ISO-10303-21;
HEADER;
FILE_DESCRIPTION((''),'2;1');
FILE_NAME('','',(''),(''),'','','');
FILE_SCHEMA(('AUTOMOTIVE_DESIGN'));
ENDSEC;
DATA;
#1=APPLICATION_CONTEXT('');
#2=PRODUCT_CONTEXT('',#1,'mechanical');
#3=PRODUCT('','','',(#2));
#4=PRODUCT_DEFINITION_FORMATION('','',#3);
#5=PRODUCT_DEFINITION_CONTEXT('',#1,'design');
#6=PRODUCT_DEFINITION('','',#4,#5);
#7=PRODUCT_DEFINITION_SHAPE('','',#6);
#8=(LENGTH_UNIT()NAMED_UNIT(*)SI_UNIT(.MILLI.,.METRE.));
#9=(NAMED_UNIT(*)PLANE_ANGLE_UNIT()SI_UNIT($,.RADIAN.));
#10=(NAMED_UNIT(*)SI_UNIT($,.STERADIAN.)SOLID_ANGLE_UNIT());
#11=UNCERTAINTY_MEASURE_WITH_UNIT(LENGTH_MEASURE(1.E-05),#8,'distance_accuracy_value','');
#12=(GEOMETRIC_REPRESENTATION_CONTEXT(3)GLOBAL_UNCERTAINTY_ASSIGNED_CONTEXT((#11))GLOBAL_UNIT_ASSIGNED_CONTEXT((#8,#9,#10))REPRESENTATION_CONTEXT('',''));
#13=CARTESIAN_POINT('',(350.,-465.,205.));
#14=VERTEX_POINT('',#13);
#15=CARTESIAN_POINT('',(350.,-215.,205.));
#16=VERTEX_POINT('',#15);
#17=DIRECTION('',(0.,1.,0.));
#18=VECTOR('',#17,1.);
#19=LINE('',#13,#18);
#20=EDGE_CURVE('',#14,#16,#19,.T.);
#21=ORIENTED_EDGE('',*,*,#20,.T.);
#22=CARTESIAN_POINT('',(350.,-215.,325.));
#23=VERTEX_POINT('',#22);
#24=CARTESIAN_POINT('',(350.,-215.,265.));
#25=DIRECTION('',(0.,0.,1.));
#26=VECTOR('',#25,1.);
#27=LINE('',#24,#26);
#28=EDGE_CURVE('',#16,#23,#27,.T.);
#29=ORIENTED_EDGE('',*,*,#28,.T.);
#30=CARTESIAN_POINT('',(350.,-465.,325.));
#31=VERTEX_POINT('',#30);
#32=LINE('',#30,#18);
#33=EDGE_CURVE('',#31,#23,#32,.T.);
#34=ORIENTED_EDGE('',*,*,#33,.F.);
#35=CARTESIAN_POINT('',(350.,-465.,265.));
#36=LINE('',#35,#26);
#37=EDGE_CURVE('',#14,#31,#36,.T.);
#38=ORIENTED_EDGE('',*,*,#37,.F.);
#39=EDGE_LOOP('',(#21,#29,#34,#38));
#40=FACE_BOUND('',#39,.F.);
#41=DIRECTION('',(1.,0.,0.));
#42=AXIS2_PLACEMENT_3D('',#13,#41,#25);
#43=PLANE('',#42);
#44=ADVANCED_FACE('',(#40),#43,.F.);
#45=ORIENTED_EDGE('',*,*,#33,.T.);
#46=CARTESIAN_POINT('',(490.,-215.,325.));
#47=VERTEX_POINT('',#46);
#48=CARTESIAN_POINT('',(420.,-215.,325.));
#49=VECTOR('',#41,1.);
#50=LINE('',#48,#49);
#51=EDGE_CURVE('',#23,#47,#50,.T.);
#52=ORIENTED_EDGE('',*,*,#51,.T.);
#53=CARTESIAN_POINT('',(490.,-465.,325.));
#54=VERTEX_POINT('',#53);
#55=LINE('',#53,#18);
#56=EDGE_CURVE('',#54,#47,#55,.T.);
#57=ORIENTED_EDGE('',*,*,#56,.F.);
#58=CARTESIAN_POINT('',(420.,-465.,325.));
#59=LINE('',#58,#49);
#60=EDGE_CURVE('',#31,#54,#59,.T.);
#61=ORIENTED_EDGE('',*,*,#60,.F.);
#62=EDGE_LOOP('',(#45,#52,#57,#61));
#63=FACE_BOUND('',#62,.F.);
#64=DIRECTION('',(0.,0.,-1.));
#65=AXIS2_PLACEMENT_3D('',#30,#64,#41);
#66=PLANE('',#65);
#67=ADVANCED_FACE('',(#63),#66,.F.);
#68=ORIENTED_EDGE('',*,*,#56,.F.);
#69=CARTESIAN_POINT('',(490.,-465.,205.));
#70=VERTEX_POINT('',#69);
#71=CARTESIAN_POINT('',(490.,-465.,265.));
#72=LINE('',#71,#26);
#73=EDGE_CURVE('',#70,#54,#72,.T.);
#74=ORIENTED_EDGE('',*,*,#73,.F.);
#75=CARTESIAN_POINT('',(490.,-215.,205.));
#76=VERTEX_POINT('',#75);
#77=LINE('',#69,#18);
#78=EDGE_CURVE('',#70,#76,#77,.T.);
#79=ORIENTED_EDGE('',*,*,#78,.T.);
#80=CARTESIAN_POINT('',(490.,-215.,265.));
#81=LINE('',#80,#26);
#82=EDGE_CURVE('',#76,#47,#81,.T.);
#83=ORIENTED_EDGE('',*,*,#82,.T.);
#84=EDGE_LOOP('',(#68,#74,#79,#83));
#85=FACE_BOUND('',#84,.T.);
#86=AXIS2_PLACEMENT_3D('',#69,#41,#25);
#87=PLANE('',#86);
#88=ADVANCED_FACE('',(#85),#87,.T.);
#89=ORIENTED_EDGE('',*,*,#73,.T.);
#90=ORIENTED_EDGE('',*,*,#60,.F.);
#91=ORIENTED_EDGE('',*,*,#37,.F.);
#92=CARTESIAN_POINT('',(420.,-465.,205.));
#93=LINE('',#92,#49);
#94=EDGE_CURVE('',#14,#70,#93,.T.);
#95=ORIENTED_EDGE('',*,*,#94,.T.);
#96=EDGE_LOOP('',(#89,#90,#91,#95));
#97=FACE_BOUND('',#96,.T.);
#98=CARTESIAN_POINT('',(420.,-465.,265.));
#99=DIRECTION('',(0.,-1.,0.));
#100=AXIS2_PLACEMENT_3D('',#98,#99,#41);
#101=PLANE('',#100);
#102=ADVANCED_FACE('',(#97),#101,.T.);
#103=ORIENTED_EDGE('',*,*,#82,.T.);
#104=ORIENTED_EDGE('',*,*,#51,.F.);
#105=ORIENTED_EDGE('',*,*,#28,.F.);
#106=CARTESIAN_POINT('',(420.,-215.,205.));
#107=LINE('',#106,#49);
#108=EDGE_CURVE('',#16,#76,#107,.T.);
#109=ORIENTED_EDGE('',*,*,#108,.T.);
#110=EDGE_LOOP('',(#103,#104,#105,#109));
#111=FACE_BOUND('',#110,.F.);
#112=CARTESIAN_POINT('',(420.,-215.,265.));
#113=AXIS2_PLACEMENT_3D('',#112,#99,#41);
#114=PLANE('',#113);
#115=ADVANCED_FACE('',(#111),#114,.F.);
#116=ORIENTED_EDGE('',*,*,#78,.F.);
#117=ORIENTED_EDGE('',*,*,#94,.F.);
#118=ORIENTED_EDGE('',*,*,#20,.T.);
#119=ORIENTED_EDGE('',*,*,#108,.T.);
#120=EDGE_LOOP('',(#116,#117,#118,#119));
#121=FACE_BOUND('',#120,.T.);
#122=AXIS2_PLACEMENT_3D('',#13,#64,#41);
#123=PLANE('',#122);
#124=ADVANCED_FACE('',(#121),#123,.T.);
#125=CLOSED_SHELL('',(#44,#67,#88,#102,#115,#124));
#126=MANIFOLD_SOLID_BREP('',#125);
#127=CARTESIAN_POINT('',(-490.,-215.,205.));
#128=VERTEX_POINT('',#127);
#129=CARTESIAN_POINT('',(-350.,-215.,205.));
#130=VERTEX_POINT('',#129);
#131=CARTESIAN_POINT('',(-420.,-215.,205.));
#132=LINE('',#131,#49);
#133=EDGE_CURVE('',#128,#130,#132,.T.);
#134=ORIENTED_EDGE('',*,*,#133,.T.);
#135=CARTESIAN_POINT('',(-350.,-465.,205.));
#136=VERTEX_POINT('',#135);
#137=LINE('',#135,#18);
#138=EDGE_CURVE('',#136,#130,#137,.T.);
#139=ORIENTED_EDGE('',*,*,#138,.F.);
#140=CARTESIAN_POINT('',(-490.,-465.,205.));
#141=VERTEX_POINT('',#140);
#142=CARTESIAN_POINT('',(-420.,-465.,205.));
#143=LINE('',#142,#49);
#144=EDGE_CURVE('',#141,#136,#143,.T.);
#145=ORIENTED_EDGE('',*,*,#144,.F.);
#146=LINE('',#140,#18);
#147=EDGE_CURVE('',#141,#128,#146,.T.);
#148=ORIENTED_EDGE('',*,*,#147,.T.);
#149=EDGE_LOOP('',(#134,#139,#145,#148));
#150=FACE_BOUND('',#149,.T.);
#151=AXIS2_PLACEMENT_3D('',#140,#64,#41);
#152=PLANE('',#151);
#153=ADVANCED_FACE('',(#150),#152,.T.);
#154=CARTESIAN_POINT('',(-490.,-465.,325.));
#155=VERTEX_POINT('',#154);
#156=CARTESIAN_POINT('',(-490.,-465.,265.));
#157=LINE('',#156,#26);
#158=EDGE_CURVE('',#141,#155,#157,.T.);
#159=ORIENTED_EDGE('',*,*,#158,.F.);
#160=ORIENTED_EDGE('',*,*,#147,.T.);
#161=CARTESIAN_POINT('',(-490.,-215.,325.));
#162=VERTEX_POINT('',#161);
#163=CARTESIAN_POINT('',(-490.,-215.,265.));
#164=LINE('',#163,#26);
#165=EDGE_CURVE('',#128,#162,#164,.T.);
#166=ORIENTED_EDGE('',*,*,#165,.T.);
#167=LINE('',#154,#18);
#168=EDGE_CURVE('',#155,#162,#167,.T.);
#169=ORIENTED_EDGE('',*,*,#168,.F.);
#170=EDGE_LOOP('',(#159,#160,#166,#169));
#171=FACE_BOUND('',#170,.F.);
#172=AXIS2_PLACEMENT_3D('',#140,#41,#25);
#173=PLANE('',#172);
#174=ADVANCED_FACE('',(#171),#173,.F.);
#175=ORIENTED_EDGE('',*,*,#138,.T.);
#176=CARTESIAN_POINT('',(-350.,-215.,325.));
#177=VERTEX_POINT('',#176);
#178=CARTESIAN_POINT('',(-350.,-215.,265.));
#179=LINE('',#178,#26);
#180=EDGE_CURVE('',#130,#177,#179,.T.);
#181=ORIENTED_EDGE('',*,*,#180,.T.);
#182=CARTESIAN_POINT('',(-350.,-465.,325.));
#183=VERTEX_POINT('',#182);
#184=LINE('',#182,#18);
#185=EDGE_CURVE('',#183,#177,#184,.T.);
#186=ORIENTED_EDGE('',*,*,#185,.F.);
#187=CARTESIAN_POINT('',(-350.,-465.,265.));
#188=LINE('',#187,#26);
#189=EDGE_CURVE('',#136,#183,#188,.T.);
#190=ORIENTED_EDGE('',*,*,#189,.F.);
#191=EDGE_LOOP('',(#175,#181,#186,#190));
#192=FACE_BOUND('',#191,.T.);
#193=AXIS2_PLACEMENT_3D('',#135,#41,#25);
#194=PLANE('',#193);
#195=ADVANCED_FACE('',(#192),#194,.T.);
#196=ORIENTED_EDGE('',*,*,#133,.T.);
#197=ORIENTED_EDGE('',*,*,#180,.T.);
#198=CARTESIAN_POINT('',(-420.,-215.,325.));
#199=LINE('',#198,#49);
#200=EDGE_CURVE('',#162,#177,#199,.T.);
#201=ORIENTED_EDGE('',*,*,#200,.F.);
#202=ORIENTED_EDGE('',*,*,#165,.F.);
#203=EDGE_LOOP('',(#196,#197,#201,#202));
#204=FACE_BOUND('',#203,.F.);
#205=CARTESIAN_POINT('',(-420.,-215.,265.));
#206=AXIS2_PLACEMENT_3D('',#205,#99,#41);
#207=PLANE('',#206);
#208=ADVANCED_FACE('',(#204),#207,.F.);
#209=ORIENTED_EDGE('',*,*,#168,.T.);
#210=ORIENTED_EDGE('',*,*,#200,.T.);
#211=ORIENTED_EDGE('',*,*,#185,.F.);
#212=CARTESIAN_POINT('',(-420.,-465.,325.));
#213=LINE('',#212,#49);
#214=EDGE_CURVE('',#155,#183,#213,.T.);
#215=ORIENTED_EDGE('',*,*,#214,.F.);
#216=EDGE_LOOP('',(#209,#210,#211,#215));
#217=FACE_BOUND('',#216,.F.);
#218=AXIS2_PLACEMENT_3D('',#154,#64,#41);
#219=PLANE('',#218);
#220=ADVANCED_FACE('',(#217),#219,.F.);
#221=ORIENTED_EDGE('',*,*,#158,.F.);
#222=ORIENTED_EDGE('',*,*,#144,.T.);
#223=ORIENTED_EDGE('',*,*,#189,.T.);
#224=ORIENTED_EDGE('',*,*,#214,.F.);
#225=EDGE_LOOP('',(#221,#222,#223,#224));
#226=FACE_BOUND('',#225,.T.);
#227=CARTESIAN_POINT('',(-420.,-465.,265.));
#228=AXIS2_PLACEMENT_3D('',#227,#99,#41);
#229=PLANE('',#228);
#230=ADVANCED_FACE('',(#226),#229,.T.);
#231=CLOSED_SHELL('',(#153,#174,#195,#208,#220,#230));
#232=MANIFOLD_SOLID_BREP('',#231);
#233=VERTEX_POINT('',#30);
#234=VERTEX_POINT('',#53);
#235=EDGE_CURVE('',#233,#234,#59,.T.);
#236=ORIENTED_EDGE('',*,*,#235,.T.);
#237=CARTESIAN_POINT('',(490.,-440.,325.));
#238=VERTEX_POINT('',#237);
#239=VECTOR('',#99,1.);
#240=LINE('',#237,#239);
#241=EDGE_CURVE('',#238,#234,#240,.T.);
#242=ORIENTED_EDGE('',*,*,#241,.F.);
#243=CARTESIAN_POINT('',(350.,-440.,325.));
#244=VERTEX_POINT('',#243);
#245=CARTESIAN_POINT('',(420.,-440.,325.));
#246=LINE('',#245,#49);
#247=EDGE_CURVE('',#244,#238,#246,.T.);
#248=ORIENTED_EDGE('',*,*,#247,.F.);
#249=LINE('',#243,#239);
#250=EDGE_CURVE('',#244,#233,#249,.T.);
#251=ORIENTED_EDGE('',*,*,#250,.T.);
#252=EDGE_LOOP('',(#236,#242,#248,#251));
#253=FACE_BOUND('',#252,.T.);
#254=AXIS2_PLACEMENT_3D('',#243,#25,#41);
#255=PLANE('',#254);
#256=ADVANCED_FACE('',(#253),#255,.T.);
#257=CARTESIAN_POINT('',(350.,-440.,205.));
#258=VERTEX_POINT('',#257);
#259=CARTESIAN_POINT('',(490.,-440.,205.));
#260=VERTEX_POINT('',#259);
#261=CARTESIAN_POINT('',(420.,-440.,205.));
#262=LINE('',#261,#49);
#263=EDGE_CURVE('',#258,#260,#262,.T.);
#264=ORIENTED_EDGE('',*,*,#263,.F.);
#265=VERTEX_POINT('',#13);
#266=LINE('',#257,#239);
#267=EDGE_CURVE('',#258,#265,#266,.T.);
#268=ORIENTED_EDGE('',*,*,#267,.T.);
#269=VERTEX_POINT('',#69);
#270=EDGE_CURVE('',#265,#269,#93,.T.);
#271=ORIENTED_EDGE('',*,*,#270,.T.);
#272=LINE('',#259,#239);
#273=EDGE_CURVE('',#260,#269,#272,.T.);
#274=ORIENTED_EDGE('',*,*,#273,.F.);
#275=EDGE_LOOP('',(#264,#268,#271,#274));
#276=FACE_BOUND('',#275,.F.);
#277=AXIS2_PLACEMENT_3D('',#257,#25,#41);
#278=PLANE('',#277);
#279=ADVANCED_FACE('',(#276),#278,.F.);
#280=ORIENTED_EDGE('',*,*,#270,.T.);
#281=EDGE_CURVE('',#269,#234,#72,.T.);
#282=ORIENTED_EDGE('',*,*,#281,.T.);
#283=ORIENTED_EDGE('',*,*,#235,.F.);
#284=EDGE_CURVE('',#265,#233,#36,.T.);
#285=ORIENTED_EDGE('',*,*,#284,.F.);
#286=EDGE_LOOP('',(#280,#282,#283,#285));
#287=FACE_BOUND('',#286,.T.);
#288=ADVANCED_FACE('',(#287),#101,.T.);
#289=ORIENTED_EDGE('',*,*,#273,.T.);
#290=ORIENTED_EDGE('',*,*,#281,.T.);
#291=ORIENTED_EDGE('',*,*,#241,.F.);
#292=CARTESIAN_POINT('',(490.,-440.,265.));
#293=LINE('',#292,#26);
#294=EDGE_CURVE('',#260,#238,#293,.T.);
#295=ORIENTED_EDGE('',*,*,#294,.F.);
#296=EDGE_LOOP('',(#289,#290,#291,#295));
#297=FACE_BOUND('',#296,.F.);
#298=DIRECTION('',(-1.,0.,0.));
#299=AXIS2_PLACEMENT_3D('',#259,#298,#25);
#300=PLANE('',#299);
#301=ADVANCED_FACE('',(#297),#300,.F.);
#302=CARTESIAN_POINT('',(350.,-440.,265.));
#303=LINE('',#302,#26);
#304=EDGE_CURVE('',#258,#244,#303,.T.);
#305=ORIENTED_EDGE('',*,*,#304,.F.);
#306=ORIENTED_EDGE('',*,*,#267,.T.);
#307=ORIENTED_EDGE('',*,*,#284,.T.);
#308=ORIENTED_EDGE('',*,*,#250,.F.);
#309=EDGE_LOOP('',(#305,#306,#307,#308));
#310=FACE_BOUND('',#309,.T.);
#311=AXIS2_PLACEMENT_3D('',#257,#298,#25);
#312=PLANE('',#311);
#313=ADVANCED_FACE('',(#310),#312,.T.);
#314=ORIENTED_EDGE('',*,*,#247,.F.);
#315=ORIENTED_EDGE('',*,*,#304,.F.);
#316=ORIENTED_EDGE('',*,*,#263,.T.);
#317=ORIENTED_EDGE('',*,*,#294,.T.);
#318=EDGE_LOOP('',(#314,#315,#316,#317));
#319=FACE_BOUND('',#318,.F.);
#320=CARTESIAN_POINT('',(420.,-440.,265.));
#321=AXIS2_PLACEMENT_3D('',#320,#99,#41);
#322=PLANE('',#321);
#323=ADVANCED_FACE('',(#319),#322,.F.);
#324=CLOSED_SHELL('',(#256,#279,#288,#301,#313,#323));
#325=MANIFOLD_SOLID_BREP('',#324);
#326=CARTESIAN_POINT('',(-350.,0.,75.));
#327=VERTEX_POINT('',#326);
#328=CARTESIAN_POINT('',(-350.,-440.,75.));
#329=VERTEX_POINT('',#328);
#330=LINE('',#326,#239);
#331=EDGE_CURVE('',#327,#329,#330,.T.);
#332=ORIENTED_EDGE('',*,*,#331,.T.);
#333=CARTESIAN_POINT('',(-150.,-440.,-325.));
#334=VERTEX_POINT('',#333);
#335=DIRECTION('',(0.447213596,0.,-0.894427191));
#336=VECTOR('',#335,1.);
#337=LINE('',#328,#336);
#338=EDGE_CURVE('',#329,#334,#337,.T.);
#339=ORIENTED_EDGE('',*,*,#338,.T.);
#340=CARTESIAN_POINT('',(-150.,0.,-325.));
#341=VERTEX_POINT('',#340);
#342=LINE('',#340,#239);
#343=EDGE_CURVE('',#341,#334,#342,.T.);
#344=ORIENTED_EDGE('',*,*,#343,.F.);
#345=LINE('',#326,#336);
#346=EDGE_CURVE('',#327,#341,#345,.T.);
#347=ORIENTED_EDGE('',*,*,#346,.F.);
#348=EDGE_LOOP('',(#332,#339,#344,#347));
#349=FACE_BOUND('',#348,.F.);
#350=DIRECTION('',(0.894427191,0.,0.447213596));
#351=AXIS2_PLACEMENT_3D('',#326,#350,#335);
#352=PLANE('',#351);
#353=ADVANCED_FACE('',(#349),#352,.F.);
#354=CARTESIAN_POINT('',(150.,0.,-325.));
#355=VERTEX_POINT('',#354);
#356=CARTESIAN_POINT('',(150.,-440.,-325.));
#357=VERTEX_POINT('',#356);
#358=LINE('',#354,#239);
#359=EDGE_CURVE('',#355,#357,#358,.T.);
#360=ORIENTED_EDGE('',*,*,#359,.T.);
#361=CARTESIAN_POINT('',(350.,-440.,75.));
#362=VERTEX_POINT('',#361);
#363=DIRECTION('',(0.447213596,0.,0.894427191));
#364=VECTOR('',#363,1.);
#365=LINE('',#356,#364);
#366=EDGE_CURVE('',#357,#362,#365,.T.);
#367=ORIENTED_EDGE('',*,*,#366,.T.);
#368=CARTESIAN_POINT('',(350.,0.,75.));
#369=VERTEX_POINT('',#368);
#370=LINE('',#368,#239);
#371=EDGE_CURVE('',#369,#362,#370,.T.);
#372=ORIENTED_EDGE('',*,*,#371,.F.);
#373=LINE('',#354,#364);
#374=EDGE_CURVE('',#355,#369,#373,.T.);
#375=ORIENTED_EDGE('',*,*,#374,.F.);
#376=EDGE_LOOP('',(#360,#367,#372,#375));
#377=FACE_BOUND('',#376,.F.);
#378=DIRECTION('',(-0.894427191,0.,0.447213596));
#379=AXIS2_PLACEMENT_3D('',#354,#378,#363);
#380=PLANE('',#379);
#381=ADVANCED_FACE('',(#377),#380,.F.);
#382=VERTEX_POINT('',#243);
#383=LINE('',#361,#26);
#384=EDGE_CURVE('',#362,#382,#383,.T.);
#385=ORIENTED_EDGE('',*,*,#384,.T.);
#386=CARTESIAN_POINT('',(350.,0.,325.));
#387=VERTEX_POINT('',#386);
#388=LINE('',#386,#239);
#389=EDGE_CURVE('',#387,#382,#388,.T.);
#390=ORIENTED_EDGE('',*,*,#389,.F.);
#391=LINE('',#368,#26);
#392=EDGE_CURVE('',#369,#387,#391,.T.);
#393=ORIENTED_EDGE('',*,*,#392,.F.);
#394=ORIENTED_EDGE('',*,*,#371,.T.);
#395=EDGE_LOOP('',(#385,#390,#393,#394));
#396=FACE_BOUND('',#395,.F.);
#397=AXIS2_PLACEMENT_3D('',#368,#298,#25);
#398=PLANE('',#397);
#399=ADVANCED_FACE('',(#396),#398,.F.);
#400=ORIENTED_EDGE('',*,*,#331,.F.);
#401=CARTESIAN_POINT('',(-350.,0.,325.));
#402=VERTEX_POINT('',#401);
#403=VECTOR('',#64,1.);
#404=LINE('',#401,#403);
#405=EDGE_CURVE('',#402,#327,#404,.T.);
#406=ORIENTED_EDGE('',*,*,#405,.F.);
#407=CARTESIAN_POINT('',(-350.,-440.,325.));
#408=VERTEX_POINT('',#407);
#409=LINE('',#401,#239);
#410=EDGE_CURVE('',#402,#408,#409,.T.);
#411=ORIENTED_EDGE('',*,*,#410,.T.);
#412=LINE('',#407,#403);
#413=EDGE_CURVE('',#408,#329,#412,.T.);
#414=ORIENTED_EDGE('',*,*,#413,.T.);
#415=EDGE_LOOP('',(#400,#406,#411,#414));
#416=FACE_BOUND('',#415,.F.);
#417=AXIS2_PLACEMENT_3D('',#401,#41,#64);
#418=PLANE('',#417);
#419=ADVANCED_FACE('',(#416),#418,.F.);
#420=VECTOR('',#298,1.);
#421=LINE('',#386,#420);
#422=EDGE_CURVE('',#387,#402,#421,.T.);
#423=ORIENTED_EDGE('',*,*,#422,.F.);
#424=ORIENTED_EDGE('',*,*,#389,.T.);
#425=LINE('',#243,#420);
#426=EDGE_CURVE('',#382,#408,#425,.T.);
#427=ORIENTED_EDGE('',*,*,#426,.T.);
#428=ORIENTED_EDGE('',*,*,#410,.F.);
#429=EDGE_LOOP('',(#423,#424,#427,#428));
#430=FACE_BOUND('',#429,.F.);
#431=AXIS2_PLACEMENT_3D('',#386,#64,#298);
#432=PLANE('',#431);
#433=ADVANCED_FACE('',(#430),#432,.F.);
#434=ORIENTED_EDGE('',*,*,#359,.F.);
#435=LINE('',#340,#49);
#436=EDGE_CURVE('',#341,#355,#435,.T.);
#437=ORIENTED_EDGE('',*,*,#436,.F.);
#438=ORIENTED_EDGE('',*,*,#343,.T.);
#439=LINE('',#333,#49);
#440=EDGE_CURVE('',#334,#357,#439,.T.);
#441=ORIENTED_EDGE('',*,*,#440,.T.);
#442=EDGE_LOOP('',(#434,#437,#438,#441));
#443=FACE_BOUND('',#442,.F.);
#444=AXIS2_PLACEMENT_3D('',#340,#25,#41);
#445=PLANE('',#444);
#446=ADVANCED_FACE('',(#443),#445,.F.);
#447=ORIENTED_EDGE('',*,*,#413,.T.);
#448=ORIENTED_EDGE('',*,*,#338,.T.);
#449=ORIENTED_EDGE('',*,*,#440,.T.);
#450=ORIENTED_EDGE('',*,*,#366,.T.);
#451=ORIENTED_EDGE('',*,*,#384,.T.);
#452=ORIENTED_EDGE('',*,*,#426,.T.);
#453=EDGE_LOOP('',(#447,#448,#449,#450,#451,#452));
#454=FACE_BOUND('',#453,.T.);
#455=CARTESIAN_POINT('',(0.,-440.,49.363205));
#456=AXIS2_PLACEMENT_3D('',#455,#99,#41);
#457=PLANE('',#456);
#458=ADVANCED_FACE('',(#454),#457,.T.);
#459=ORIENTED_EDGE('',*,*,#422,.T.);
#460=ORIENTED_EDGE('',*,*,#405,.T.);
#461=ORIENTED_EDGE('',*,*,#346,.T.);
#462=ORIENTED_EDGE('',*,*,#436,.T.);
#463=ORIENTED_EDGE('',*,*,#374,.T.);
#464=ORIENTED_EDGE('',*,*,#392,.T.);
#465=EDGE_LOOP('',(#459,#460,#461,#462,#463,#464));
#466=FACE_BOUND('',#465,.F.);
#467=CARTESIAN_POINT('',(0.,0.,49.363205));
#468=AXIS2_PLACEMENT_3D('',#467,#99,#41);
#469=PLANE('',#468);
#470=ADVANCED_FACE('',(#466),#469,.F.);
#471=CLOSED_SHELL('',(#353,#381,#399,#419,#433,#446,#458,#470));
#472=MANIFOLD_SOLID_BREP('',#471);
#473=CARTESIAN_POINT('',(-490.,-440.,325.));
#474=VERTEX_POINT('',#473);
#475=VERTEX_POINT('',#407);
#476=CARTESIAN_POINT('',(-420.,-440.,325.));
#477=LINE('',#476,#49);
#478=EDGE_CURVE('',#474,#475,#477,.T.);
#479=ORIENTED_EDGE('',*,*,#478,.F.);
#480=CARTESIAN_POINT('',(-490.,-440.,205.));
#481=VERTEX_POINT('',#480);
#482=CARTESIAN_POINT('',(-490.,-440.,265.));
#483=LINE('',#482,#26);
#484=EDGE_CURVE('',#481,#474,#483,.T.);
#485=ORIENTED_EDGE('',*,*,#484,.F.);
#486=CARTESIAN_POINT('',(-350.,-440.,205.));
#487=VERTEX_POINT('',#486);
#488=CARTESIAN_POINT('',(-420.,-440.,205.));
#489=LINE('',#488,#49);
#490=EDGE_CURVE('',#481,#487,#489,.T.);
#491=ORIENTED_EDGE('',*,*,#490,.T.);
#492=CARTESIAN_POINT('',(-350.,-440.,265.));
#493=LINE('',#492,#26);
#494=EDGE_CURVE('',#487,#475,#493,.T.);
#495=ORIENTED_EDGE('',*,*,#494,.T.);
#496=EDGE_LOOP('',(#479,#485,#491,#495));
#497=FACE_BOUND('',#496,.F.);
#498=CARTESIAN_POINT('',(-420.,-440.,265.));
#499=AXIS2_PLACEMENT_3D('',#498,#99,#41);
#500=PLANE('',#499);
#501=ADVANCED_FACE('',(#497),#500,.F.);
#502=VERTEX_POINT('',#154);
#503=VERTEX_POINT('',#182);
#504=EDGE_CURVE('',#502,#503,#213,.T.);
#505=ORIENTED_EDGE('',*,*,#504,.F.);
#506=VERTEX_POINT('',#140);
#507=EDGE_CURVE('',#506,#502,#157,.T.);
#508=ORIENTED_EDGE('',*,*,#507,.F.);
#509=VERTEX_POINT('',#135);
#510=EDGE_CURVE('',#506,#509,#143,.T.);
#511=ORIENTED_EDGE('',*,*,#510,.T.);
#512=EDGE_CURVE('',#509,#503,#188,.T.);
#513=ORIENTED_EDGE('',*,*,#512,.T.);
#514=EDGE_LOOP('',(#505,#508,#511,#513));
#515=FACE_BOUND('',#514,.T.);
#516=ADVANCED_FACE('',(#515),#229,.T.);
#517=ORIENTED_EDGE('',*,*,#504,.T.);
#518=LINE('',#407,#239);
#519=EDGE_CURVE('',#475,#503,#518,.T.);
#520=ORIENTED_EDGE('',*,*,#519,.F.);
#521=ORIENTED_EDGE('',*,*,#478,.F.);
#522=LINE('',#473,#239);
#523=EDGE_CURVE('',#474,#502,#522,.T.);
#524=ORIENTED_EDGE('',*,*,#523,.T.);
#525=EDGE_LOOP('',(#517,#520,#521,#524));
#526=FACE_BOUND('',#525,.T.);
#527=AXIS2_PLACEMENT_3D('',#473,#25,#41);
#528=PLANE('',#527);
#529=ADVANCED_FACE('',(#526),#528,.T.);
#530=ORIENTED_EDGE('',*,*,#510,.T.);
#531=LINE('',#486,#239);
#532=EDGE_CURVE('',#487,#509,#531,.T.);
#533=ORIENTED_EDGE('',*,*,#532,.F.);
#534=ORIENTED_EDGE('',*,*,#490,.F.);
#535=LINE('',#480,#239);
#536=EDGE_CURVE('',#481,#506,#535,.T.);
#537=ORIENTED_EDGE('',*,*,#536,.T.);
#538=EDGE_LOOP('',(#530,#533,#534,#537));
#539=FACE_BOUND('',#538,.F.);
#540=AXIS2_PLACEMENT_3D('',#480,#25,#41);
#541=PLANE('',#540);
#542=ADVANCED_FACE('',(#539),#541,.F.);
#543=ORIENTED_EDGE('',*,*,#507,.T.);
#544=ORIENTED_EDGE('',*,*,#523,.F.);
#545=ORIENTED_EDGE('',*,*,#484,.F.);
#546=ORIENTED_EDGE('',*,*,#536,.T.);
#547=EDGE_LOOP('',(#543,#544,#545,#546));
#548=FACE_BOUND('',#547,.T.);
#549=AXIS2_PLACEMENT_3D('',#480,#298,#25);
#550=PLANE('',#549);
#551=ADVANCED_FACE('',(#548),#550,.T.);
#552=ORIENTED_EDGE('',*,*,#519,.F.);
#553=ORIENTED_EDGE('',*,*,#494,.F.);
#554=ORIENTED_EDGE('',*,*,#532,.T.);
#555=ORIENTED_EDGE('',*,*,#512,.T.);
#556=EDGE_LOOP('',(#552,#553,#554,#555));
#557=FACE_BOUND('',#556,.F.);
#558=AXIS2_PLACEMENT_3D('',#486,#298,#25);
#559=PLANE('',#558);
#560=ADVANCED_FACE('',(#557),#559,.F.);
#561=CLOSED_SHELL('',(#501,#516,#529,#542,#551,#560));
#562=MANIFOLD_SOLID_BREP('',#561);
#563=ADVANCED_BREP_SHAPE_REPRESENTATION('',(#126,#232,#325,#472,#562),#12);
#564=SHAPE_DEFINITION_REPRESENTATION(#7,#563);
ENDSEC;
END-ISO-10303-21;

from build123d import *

# Parameters (mm, degrees)
F1_DEPTH  = 440
F2_W      = 140
F2_H      = 120
F3_DEPTH  = 25
F3_FACE_W = 140
F3_FACE_H = 120
F4_DEPTH  = 250


with BuildPart() as f1:
    # F0 (on Front) → F1 (new body)
    with BuildSketch(Plane.XZ):
        Polygon((-150, -325), (150, -325), (350, 75), (350, 325), (-350, 325), (-350, 75), align=None)
    extrude(amount=F1_DEPTH)


with BuildPart() as f3:
    # F2 (on face) → F3 (new body)
    with BuildSketch(Plane.XZ.offset(440)):
        with Locations((-420, 265)):
            Rectangle(F2_W, F2_H)
        with Locations((420, 265)):
            Rectangle(F2_W, F2_H)
    extrude(amount=F3_DEPTH)


with BuildPart() as f4:
    # F3_face (on face) → F4 (new body)
    with BuildSketch(Plane(origin=(-420, -465, 265), x_dir=(1, 0, 0), z_dir=(0, -1, 0))):
        Rectangle(F3_FACE_W, F3_FACE_H)
        with Locations((840, 0)):
            Rectangle(F3_FACE_W, F3_FACE_H)
    extrude(amount=-F4_DEPTH)


solid = Compound([f1.part, f3.part, f4.part])
